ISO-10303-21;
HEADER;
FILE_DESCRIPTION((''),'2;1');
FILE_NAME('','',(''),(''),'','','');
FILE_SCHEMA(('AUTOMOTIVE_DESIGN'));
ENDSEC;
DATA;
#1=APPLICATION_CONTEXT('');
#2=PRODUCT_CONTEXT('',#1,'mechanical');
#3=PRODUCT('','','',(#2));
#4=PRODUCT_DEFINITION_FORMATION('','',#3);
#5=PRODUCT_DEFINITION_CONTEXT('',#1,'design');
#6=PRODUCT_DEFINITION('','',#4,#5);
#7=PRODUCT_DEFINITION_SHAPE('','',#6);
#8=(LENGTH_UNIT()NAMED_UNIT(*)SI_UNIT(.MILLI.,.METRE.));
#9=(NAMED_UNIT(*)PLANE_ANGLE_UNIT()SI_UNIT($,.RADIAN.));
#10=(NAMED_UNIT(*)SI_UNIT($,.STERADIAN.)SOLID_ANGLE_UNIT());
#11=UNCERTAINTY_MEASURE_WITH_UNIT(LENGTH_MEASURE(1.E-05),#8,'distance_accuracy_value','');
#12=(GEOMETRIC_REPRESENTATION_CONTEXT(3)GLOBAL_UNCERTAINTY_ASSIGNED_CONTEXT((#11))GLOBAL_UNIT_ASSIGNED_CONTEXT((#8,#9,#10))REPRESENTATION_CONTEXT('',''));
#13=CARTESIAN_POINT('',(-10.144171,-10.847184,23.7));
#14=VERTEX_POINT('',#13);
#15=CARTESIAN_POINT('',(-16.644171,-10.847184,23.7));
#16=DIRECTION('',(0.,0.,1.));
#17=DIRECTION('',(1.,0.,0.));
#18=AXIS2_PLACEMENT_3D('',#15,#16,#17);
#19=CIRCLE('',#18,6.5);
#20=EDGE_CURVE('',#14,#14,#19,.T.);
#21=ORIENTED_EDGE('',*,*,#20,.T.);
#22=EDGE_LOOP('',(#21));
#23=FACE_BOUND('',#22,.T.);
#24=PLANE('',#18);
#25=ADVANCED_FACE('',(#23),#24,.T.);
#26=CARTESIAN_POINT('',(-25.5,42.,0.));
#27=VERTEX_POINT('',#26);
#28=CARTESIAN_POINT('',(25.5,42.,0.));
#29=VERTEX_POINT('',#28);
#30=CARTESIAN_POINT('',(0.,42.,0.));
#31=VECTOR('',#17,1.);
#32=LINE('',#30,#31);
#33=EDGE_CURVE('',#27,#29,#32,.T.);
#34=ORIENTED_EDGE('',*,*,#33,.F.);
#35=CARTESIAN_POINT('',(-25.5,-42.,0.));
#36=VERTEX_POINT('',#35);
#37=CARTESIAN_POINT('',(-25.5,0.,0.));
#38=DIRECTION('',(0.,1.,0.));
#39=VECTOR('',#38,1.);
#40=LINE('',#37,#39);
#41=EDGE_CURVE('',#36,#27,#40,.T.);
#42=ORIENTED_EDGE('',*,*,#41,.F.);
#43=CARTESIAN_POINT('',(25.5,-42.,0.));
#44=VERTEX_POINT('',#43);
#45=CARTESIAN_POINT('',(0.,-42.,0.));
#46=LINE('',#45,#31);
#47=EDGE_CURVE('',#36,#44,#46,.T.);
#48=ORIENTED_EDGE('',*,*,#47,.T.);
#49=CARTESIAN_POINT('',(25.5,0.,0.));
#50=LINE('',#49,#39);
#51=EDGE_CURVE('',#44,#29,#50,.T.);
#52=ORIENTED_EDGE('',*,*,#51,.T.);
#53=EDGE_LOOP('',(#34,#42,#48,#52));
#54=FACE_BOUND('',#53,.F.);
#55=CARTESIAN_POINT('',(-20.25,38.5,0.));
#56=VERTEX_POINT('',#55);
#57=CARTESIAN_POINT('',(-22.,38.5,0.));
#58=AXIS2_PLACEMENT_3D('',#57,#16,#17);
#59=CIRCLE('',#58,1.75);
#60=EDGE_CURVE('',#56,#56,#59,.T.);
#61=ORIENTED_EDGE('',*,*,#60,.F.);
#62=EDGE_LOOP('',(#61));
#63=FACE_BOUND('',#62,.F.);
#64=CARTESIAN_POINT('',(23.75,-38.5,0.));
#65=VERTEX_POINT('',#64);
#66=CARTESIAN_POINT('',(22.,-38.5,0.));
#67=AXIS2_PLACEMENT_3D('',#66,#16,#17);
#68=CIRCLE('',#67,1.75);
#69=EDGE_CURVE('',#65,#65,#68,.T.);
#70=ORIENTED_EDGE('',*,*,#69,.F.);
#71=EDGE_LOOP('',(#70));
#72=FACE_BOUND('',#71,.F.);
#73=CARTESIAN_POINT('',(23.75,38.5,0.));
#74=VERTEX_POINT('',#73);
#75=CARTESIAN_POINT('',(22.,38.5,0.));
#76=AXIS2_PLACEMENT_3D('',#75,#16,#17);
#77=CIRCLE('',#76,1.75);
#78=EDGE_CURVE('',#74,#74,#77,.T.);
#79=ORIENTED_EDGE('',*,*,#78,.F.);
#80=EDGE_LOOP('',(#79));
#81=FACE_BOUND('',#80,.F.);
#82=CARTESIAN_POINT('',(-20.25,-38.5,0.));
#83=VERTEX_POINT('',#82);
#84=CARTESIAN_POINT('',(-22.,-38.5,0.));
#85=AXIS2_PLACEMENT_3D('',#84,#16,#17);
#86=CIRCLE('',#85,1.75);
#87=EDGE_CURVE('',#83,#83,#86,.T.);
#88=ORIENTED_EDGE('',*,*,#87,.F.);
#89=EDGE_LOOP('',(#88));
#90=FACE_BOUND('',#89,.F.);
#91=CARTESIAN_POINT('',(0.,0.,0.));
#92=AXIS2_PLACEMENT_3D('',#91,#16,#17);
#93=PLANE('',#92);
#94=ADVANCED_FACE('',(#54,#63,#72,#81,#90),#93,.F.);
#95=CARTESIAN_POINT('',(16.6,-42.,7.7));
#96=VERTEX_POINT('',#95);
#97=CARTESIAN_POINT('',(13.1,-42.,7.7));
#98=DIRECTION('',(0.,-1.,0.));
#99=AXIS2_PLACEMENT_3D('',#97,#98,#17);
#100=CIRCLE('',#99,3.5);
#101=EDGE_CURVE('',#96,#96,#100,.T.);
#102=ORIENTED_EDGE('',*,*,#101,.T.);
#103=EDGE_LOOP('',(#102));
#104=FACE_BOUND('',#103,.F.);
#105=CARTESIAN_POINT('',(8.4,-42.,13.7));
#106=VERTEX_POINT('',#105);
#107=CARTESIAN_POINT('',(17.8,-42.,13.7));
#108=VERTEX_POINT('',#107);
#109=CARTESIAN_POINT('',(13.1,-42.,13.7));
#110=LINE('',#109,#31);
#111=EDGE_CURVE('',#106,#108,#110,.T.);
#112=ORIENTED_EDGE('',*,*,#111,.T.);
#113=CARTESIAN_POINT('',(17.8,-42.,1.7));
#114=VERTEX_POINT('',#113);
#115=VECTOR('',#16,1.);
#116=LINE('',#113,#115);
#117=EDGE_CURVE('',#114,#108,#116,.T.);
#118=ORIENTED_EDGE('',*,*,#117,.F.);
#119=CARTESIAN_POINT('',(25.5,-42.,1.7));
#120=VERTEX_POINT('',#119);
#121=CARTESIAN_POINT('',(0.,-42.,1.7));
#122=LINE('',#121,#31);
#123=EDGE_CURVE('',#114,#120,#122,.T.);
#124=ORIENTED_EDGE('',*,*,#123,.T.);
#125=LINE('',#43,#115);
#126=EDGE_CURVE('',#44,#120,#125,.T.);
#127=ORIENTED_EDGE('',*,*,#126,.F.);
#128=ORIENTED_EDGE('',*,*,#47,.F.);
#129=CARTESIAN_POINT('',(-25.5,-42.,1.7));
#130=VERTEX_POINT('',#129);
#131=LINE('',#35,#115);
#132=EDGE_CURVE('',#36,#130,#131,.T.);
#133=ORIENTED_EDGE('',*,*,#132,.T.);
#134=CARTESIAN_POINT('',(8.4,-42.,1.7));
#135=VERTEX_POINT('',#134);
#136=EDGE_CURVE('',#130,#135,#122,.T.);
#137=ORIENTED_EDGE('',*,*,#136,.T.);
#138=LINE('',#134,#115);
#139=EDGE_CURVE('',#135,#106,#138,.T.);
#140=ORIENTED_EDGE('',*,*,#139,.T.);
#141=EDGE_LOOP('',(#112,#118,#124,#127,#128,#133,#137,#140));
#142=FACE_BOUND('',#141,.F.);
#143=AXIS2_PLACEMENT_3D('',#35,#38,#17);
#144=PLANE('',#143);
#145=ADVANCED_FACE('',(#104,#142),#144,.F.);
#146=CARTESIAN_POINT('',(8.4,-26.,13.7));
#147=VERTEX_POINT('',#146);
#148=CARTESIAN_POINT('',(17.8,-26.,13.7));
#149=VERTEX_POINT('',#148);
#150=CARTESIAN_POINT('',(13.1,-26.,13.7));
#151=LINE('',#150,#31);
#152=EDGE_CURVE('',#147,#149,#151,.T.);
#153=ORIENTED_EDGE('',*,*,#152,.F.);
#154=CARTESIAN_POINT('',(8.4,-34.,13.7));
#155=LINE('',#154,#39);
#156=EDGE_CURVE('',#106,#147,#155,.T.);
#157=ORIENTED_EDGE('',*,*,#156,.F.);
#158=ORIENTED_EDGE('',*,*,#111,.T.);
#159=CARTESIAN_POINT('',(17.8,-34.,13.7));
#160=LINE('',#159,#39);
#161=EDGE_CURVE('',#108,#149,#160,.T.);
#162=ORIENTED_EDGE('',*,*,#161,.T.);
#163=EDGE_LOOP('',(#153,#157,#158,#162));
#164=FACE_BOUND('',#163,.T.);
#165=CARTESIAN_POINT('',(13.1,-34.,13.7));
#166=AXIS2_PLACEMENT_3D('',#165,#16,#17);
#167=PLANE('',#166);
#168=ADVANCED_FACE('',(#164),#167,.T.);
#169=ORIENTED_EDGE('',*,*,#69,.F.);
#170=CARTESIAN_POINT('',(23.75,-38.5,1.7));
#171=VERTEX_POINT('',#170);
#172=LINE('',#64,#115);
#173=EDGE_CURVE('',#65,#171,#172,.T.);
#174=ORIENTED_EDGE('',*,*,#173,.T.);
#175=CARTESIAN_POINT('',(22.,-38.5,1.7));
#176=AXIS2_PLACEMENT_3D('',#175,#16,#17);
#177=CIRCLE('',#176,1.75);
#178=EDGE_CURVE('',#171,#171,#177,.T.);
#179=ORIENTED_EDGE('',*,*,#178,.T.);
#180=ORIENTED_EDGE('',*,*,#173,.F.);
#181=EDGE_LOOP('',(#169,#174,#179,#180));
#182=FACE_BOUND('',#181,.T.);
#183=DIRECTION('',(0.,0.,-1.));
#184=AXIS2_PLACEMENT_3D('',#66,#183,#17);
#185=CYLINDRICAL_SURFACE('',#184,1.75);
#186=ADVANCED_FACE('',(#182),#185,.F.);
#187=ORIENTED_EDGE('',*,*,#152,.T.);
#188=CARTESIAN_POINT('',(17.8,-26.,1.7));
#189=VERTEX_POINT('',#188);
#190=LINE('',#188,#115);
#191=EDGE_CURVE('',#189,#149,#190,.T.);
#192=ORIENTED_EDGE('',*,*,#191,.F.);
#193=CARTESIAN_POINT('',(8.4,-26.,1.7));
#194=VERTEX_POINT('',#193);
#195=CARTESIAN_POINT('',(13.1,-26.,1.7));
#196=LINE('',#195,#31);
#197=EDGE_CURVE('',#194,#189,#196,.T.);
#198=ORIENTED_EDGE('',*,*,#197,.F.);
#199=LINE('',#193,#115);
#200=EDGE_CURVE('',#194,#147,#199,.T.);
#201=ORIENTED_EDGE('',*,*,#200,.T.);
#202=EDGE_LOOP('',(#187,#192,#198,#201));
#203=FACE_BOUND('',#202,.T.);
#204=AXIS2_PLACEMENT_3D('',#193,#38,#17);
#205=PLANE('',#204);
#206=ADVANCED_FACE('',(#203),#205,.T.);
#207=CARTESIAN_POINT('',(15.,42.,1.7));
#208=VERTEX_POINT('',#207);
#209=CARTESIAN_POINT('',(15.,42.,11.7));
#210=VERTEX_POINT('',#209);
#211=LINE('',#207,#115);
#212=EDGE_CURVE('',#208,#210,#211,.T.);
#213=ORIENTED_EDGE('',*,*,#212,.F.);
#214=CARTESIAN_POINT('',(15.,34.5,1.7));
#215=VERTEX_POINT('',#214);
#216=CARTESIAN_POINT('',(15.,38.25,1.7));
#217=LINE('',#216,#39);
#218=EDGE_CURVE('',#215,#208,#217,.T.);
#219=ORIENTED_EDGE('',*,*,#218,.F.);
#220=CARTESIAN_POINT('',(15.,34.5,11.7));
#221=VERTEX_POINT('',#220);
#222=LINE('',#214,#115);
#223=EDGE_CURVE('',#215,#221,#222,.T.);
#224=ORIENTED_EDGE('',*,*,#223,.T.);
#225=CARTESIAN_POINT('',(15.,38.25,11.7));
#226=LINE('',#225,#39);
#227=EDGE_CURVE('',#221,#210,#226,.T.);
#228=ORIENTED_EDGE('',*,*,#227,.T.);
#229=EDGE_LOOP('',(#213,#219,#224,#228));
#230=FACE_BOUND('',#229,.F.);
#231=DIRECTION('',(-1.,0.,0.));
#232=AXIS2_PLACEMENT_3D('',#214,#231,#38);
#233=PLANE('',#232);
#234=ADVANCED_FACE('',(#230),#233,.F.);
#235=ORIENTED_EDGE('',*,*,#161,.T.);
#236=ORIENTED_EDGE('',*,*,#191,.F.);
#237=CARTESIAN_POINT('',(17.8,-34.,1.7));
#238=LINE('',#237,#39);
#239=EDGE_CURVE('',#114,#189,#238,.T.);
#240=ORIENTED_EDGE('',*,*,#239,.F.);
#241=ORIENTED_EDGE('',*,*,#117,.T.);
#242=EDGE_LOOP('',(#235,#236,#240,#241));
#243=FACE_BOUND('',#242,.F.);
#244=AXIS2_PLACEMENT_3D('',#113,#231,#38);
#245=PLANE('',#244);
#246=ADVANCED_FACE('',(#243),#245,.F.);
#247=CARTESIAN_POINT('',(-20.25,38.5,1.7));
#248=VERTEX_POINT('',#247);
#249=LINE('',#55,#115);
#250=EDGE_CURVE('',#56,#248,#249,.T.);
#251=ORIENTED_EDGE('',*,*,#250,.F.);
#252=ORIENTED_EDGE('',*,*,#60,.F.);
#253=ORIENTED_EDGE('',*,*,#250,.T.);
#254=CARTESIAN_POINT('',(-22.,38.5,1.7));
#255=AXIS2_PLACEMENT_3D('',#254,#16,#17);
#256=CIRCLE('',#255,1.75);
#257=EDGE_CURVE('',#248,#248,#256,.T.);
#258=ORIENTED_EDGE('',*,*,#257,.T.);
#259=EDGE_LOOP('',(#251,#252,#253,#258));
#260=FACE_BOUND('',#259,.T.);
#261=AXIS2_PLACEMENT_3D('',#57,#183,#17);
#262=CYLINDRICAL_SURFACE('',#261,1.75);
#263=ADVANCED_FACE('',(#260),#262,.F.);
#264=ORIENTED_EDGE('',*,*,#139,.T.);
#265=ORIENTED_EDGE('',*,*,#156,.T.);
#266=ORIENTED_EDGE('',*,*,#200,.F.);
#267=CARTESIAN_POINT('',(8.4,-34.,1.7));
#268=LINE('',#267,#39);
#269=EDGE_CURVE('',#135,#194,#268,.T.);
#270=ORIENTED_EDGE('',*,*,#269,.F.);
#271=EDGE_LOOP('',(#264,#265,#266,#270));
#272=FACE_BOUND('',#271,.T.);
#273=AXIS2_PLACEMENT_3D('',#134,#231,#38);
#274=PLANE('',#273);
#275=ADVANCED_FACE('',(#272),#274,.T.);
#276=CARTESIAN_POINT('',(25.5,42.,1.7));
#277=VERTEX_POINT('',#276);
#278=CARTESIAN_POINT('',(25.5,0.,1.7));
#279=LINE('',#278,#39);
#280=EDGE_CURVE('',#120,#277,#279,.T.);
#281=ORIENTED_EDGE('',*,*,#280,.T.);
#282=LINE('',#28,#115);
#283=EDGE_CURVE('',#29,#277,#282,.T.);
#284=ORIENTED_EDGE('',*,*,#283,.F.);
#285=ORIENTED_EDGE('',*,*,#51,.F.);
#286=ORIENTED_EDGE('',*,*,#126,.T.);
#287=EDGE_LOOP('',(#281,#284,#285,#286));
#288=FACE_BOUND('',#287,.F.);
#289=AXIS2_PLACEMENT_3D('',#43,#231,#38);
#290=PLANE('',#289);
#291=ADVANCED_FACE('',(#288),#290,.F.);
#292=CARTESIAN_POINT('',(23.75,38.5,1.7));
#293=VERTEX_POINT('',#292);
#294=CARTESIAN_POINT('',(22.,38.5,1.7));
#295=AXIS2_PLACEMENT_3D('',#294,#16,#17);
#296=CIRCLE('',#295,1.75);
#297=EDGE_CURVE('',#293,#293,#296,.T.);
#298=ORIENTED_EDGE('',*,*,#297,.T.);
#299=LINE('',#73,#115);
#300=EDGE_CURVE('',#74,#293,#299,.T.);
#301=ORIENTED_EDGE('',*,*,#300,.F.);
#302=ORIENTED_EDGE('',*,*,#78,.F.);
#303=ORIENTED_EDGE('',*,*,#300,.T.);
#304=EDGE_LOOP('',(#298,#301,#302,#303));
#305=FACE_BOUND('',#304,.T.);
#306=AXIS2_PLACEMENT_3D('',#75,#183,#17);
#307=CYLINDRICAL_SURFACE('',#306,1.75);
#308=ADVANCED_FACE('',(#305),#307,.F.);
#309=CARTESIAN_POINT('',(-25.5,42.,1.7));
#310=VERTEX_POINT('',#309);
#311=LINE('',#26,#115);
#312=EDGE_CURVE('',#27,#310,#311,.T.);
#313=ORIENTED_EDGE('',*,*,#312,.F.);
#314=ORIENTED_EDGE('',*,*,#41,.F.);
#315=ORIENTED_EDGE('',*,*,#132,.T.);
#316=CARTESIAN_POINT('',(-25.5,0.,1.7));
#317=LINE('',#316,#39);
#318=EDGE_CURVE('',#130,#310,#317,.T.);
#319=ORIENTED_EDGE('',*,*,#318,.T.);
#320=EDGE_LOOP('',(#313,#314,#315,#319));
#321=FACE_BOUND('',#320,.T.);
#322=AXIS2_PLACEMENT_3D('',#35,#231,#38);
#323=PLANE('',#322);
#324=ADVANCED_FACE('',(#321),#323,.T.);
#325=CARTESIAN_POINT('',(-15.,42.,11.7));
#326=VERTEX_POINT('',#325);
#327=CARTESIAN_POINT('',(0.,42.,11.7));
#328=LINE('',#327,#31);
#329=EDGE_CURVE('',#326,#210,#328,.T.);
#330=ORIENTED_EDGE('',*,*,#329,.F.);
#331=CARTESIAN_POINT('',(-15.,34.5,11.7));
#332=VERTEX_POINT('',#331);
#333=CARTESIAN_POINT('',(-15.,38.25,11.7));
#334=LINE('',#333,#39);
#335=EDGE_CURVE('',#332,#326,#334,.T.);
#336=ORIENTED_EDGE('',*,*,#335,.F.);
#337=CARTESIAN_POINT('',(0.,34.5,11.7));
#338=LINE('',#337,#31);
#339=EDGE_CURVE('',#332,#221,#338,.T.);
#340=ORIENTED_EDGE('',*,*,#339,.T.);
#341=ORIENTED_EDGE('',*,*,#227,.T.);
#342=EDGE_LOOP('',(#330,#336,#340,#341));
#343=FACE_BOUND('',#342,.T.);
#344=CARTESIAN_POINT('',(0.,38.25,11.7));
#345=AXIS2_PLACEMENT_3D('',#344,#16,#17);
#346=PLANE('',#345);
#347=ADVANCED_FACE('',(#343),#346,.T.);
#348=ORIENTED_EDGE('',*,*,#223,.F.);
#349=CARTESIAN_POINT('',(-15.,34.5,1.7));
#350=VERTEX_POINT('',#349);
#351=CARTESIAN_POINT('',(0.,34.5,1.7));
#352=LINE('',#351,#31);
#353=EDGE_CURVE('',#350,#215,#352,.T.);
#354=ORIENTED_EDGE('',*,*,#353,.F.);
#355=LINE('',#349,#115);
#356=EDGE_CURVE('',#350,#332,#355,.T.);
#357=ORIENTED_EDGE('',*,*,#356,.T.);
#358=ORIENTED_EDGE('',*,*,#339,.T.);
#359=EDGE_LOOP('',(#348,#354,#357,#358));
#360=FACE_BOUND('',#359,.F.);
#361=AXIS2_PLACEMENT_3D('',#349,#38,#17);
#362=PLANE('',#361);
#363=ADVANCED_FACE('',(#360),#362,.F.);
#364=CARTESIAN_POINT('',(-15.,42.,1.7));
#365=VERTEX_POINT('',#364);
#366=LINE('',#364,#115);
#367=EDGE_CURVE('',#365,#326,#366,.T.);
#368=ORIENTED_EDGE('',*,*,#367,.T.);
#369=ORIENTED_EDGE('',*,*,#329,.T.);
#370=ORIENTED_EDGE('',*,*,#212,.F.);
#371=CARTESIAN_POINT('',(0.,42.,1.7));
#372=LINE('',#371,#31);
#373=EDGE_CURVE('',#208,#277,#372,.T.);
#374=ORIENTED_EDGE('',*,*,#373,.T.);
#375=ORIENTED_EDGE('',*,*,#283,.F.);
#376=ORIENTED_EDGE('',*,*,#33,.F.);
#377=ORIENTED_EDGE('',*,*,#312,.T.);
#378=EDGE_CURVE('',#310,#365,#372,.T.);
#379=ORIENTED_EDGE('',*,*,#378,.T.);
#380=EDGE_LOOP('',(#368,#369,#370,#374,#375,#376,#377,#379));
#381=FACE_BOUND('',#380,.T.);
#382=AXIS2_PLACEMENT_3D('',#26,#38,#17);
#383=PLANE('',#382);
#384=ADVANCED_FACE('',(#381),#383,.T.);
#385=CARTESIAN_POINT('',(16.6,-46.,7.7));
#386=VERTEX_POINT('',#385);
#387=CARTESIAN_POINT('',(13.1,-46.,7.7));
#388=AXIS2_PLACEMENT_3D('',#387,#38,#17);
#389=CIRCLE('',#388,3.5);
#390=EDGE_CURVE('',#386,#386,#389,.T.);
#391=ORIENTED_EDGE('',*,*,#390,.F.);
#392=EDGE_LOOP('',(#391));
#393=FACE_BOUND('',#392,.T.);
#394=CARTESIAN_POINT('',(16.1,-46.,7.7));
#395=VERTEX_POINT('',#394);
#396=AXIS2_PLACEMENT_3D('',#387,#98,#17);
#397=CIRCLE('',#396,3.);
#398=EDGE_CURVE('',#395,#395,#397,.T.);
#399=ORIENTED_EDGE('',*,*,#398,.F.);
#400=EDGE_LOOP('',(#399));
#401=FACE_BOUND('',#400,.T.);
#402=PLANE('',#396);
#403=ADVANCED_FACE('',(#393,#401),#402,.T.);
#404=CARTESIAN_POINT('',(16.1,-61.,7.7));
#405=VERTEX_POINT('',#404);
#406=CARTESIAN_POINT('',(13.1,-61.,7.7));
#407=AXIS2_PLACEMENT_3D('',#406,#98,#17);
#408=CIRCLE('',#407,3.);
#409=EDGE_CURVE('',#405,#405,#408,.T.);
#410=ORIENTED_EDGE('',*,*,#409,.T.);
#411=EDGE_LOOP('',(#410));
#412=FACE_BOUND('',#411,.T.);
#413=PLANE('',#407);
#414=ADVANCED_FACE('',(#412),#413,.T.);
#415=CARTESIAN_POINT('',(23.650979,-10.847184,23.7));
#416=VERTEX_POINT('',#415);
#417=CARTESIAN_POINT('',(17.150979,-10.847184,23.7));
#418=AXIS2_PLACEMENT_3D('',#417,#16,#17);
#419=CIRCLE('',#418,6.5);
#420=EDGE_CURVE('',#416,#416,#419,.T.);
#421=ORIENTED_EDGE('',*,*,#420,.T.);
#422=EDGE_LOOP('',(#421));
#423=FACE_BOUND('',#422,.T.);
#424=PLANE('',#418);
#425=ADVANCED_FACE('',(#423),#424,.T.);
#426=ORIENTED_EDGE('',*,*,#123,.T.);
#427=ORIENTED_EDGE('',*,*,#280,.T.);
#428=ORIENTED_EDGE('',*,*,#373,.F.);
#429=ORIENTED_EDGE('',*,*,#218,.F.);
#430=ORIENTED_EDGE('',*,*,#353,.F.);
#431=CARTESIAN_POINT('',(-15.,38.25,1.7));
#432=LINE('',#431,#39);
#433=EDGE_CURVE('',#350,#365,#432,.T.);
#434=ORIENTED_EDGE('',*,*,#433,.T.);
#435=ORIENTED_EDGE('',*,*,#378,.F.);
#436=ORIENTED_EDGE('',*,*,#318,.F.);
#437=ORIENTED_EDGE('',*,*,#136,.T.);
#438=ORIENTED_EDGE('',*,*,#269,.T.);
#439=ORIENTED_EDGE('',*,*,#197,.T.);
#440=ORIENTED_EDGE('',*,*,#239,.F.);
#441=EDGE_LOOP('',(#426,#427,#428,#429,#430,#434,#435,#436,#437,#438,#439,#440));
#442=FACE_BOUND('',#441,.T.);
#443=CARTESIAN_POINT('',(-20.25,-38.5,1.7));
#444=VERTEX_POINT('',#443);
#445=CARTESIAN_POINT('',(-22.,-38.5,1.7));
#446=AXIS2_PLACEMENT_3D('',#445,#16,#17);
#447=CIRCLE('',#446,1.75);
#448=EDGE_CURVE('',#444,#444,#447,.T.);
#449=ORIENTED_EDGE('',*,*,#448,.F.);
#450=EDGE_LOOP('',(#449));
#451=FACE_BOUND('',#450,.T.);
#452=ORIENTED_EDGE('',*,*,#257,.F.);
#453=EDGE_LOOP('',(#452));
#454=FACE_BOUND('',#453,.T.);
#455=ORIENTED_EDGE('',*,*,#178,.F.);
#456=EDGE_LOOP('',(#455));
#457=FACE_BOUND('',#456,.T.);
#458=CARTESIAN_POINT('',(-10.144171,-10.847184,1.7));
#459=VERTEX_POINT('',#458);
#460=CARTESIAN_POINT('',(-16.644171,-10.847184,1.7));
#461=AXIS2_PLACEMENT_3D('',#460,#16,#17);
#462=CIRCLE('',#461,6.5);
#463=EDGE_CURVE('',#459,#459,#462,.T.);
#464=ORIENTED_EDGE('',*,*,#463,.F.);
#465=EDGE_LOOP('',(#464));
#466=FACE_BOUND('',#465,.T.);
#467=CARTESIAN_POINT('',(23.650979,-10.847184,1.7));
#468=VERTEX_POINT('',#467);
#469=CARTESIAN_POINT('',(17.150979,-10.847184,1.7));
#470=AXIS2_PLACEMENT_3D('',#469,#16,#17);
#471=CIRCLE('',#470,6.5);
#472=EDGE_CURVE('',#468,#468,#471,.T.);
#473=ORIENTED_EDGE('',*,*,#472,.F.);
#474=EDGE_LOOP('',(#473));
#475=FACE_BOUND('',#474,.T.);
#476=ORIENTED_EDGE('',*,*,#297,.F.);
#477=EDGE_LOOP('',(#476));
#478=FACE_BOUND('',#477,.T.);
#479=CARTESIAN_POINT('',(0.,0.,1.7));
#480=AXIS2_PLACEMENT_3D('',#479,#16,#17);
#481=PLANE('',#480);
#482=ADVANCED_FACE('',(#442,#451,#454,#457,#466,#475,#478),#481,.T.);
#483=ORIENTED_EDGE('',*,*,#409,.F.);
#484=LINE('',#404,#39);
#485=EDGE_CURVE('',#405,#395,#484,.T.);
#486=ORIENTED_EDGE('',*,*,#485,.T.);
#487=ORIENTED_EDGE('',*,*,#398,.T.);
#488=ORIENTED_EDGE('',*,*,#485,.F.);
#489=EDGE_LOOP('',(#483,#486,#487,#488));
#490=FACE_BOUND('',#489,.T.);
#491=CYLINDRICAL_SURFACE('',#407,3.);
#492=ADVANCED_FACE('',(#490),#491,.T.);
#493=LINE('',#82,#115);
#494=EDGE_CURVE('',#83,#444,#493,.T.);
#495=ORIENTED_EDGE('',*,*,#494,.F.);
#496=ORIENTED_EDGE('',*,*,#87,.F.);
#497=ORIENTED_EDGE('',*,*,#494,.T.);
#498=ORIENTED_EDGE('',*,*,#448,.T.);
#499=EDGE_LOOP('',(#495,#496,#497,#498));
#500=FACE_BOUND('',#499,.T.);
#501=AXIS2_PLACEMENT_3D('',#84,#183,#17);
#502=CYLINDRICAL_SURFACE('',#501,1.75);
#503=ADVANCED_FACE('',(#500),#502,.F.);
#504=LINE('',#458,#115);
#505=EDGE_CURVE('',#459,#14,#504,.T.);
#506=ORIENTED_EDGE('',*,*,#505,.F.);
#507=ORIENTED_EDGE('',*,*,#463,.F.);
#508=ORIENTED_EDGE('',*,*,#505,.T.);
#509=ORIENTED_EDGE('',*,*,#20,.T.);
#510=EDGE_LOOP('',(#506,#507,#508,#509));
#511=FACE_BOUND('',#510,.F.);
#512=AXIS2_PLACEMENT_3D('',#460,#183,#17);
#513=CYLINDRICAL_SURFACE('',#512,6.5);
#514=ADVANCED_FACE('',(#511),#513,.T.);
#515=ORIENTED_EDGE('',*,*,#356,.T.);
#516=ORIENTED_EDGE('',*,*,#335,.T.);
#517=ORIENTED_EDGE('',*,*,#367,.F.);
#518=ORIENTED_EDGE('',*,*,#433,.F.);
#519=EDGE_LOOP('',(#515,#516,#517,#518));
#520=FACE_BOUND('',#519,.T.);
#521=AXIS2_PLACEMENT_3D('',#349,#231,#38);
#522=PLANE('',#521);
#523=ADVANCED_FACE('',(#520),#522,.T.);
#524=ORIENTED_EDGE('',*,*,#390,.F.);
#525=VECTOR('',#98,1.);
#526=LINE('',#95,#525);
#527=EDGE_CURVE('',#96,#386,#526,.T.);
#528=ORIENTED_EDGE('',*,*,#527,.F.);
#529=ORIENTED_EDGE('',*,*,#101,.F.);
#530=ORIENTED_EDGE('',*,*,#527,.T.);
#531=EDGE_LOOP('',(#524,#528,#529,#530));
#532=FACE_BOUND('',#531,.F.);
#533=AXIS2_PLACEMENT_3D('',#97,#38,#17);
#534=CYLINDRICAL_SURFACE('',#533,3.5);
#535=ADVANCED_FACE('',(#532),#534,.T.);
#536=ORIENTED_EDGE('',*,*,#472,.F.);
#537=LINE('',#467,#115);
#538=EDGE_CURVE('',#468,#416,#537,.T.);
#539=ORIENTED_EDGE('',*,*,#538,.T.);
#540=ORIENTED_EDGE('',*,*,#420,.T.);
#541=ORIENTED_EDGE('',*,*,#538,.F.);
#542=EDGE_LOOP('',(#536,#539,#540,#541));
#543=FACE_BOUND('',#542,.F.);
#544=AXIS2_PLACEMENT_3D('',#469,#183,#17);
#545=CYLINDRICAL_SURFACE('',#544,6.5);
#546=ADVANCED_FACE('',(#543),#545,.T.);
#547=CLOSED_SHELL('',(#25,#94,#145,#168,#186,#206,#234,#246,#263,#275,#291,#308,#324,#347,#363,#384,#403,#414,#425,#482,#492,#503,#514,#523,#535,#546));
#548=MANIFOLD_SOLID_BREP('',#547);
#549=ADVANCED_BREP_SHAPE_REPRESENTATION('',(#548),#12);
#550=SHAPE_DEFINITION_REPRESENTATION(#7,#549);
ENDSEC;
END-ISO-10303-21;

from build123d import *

# Parameters (mm, degrees)
F0_W      = 51
F0_H      = 84
F0_R      = 1.75
F1_DEPTH  = 1.7
F2_W      = 9.4
F2_H      = 16
F3_DEPTH  = 12
F4_R      = 3.5
F5_DEPTH  = 19
F6_R      = 6.5
F7_DEPTH  = 22
F8_W      = 30
F8_H      = 7.5
F9_DEPTH  = 10
F10_R     = 5.9425868451
F10_R_2   = 3
F11_DEPTH = 15


with BuildPart() as f1:
    # F0 (on Top) → F1 (new body)
    with BuildSketch(Plane.XY):
        Rectangle(F0_W, F0_H)
        with Locations((-22, -38.5)):
            Circle(F0_R, mode=Mode.SUBTRACT)
        with Locations((22, -38.5)):
            Circle(F0_R, mode=Mode.SUBTRACT)
        with Locations((-22, 38.5)):
            Circle(F0_R, mode=Mode.SUBTRACT)
        with Locations((22, 38.5)):
            Circle(F0_R, mode=Mode.SUBTRACT)
    extrude(amount=F1_DEPTH)

    # F2 (on face) → F3 (join)
    with BuildSketch(Plane.XY.offset(1.7)):
        with Locations((13.1, -34)):
            Rectangle(F2_W, F2_H)
    extrude(amount=F3_DEPTH)

    # F4 (on face) → F5 (join)
    with BuildSketch(Plane.XZ.offset(42)):
        with Locations((13.1, 7.7)):
            Circle(F4_R)
    extrude(amount=F5_DEPTH)

    # F6 (on face) → F7 (join)
    with BuildSketch(Plane.XY.offset(1.7)):
        with Locations((17.1509794891, -10.8471838757)):
            Circle(F6_R)
        with Locations((-16.6441705078, -10.8471838757)):
            Circle(F6_R)
    extrude(amount=F7_DEPTH)

    # F8 (on face) → F9 (join)
    with BuildSketch(Plane.XY.offset(1.7)):
        with Locations((0, 38.25)):
            Rectangle(F8_W, F8_H)
    extrude(amount=F9_DEPTH)

    # F10 (on face) → F11 (cut)
    with BuildSketch(Plane.XZ.offset(61)):
        with Locations((13.1, 7.7)):
            Circle(F10_R)
        with Locations((13.1, 7.7)):
            Circle(F10_R_2, mode=Mode.SUBTRACT)
    extrude(amount=-F11_DEPTH, mode=Mode.SUBTRACT)


solid = f1.part
